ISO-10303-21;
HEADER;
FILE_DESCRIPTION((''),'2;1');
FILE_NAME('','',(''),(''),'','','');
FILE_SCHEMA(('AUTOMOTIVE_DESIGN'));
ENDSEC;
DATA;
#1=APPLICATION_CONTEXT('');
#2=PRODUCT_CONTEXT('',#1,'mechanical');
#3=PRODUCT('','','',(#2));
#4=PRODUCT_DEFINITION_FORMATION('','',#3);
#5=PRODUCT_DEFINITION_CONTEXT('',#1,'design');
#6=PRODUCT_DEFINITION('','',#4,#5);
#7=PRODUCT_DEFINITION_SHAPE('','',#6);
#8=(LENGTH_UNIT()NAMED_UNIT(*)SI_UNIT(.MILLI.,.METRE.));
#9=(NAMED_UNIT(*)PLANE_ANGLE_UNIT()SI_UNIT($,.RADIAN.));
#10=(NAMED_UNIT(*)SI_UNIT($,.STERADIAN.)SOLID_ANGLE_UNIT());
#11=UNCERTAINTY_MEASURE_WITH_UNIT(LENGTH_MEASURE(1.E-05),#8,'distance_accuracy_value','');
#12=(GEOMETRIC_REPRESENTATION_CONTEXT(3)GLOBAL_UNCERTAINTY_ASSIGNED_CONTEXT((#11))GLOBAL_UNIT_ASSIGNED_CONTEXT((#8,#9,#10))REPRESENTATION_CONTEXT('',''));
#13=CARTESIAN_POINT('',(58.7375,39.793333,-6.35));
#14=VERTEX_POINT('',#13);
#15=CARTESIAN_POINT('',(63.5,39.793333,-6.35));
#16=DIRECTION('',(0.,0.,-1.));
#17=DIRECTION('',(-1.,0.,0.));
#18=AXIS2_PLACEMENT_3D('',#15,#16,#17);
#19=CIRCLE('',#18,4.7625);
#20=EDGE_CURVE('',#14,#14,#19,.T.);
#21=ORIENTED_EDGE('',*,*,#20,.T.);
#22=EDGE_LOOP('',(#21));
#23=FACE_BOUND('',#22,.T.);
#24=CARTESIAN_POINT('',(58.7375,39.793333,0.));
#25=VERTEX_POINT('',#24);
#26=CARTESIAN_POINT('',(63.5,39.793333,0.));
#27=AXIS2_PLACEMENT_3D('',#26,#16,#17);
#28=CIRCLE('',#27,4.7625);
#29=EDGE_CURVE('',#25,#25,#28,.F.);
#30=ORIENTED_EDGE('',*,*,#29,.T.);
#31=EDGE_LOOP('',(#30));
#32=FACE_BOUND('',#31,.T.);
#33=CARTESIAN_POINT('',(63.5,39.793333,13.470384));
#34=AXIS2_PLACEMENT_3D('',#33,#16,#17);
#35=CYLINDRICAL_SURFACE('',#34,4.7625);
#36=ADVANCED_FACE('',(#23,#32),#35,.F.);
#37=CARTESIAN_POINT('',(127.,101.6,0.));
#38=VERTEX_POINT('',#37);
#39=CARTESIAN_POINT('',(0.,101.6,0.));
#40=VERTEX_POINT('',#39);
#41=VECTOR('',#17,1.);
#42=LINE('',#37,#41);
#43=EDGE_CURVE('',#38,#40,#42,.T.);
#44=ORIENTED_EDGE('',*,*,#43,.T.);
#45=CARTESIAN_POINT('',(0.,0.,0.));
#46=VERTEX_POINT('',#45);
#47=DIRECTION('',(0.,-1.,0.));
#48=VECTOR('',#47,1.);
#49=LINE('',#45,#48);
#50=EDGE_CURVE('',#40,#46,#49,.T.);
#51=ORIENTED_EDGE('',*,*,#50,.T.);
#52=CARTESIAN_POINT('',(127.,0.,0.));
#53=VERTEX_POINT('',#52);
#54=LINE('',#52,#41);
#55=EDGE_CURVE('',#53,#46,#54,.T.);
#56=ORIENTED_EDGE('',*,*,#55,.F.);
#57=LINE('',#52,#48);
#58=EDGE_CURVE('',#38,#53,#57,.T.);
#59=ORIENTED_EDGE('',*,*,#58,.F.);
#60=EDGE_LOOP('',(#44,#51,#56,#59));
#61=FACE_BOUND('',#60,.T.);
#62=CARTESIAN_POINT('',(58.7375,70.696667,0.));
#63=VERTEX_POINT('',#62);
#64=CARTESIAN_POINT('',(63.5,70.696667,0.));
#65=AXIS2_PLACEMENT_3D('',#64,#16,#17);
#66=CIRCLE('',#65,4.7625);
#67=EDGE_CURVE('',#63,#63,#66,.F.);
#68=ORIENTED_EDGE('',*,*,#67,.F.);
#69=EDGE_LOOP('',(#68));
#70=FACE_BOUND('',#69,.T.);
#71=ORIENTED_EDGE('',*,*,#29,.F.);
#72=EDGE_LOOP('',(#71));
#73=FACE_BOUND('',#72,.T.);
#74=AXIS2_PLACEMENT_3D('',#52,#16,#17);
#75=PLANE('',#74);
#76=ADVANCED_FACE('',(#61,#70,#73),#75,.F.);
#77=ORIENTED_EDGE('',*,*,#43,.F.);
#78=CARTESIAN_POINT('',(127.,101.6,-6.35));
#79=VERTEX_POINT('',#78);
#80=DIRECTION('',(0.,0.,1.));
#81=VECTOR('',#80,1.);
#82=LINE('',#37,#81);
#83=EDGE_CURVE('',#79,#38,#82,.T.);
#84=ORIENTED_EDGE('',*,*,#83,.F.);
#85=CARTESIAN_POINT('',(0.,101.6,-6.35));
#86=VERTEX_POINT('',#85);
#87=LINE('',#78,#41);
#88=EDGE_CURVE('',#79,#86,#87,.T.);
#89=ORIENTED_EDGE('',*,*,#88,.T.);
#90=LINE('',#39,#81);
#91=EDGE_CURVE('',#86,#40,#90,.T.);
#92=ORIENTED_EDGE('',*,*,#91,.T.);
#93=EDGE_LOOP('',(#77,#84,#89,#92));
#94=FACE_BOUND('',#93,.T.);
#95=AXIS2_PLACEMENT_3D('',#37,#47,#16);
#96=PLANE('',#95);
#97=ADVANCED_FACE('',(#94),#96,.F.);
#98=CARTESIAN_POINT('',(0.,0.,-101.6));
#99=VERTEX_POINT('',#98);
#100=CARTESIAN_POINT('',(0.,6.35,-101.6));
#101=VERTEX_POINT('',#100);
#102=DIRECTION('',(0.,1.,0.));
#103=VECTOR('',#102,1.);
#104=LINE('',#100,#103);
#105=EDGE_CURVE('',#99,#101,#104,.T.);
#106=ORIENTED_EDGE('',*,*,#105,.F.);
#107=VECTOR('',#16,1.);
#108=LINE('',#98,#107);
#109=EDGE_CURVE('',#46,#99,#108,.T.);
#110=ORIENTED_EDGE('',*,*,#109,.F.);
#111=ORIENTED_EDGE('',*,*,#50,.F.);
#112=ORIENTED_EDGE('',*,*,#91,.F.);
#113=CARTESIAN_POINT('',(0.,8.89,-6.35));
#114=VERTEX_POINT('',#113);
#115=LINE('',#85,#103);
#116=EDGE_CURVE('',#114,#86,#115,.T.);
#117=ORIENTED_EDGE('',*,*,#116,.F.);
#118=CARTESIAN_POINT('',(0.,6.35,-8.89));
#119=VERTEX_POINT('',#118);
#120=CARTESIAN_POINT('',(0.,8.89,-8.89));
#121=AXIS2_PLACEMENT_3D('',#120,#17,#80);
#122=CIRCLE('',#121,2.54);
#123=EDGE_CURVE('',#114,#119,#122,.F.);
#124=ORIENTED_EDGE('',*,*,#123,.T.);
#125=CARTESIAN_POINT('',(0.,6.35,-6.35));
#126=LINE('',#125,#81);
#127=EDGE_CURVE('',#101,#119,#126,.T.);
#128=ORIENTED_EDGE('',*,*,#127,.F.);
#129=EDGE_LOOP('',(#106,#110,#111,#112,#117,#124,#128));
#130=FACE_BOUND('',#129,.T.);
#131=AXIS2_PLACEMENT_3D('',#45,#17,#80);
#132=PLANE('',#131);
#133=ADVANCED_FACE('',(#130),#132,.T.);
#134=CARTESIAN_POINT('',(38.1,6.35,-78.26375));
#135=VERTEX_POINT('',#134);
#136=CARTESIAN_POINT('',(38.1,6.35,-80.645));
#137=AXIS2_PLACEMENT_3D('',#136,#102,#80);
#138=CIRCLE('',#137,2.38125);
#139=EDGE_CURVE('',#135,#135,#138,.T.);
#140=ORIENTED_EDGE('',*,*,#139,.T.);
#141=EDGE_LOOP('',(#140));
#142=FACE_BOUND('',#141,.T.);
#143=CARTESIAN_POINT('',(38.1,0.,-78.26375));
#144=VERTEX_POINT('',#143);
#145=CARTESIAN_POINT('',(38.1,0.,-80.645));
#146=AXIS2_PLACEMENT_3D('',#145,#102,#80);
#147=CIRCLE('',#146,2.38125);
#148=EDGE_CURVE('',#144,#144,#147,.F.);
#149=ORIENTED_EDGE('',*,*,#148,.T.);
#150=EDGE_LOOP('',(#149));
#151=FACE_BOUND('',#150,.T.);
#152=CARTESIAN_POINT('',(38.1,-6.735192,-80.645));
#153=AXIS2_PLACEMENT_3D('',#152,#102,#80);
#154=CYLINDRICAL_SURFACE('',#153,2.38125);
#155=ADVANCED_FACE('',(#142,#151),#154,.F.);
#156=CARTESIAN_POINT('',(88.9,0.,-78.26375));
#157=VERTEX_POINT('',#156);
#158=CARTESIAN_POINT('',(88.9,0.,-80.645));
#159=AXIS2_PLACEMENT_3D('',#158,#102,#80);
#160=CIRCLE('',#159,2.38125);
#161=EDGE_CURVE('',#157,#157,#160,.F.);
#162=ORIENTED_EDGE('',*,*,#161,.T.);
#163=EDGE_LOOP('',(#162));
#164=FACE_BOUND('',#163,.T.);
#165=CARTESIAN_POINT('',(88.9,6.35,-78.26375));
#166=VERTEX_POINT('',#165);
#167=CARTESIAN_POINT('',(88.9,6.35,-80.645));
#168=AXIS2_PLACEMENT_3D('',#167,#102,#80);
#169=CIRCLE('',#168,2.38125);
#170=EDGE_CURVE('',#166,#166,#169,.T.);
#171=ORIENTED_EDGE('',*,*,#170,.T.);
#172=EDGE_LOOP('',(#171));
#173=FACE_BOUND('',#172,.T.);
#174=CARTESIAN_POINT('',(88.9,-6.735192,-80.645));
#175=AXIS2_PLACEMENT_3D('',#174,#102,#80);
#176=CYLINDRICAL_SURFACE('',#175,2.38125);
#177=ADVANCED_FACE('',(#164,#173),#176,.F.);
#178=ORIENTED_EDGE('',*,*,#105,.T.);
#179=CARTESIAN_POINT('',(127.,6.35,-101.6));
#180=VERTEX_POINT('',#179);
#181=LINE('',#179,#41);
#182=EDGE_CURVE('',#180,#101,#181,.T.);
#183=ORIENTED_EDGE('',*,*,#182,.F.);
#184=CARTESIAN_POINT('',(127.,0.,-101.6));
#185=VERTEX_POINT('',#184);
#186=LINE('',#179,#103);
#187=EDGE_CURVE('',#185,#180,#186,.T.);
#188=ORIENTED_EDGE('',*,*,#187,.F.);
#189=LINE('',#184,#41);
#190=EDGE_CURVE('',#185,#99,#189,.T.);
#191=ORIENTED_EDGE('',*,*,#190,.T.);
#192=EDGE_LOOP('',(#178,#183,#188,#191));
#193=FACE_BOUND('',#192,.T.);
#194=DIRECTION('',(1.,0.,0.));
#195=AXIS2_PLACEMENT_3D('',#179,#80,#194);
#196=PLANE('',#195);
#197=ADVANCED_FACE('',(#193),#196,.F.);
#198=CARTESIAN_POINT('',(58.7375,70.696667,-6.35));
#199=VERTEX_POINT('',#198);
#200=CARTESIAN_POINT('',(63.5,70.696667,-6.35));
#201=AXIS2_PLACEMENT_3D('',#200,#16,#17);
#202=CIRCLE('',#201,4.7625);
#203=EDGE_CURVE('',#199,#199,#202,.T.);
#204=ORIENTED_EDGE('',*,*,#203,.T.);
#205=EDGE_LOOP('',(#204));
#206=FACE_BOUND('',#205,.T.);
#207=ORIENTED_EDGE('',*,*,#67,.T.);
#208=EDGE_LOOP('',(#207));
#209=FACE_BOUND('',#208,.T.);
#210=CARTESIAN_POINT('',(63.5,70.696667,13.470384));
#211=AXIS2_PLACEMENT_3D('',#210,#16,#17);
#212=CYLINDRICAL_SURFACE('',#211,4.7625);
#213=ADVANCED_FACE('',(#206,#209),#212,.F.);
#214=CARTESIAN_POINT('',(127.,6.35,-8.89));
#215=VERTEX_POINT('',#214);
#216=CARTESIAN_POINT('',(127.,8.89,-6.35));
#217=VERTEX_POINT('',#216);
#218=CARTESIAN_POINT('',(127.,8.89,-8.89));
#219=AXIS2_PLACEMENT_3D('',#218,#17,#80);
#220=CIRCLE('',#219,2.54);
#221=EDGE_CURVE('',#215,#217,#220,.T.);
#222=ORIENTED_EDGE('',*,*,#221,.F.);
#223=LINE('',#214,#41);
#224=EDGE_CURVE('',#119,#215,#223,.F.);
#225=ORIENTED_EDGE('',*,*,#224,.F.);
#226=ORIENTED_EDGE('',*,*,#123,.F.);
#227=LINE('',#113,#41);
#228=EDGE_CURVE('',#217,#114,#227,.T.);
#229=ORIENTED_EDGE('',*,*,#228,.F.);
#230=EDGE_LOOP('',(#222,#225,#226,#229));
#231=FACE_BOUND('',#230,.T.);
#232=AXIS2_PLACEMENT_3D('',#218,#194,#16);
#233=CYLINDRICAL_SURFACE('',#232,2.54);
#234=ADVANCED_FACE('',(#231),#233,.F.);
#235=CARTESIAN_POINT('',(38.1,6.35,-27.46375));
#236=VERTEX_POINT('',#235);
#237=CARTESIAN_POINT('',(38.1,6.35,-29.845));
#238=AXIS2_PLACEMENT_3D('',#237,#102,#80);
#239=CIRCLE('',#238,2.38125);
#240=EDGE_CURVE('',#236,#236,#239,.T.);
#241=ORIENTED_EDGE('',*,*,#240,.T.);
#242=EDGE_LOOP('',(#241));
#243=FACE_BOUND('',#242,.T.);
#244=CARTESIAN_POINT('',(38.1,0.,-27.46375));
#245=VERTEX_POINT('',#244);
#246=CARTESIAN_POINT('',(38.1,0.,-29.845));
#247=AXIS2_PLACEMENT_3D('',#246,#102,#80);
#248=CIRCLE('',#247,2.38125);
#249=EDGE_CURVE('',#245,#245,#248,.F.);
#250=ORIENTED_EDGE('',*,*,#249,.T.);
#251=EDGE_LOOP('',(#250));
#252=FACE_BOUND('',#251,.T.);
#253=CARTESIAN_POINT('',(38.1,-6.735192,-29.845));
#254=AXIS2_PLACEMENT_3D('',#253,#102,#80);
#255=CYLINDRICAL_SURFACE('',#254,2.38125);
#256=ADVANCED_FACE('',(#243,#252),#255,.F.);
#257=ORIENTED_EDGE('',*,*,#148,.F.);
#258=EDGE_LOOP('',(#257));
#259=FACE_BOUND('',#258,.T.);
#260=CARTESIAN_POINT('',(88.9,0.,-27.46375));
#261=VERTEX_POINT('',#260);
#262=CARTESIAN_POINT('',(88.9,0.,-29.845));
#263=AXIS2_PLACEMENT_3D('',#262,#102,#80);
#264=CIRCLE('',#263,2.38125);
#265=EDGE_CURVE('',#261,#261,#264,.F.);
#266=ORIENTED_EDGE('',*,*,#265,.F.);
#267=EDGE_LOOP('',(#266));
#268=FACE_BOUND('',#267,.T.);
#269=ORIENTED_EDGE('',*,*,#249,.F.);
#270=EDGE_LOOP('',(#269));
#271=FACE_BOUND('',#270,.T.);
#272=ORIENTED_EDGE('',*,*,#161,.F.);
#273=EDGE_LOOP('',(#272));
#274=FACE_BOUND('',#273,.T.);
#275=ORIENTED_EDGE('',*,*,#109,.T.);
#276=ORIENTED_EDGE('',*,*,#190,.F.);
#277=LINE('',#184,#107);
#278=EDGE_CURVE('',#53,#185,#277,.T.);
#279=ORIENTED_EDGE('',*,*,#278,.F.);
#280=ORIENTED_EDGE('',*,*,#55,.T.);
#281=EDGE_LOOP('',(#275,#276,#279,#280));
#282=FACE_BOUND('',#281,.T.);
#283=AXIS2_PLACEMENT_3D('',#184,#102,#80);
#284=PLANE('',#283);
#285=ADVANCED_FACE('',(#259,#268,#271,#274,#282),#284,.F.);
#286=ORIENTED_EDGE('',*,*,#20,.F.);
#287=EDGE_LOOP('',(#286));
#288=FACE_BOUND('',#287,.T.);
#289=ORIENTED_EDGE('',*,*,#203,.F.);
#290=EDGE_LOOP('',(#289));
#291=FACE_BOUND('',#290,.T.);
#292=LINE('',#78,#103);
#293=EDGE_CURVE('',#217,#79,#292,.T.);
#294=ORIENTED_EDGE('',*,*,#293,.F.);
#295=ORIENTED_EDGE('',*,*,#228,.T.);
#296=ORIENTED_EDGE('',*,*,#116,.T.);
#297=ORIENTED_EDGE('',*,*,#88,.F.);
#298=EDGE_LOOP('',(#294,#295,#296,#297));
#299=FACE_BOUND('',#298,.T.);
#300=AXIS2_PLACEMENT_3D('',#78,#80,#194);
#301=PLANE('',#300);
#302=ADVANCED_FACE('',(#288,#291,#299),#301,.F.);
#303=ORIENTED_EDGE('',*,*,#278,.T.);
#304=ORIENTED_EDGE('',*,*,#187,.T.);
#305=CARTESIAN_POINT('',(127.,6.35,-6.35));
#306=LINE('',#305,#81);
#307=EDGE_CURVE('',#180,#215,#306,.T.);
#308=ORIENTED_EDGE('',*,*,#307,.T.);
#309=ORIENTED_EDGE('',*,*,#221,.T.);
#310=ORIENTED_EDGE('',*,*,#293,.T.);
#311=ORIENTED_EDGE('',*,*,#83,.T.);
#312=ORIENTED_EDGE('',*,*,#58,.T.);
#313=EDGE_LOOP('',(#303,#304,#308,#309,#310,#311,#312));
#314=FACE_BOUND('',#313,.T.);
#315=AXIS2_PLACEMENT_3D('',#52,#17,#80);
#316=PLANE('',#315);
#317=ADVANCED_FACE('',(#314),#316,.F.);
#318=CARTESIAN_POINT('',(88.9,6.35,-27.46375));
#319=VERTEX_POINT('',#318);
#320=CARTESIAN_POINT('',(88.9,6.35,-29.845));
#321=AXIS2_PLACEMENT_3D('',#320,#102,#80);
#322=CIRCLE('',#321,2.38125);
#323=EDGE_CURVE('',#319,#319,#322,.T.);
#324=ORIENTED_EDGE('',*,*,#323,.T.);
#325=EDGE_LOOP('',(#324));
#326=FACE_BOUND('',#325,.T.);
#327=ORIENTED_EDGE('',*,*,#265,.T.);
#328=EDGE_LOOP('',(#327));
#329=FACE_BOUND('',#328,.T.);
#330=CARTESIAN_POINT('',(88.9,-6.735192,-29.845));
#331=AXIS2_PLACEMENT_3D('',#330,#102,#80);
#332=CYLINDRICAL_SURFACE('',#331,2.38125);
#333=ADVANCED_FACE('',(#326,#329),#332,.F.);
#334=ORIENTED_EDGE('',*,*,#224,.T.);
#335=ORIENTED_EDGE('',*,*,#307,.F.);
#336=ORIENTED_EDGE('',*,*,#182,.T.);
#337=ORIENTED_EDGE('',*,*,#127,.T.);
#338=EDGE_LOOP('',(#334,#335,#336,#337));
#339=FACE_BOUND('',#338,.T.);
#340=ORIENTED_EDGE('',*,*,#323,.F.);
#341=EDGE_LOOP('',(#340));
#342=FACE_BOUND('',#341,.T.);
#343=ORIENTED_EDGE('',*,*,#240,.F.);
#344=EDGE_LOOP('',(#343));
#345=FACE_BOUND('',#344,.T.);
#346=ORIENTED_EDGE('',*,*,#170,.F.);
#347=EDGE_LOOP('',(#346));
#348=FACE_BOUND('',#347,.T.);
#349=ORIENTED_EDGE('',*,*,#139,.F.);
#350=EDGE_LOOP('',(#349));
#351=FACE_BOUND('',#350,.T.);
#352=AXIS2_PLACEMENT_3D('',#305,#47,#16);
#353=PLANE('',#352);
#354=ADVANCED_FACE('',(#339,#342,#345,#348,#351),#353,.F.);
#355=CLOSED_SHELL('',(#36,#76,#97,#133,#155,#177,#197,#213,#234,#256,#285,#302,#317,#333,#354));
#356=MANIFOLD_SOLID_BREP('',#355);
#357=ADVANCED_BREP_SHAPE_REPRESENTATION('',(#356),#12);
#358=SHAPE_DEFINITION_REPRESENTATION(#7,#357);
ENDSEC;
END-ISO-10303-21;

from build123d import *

# Parameters (mm, degrees)
BOSS_EXTRUDE1_DEPTH = 127
FILLET1_R           = 2.54
SKETCH2_R           = 4.7625
CUT_EXTRUDE1_DEPTH  = 6.35
SKETCH3_R           = 2.38125
CUT_EXTRUDE2_DEPTH  = 6.35


with BuildPart() as part:
    # Sketch1 → Boss-Extrude1 (new body)
    with BuildSketch(Plane(origin=(0, 0, 0), x_dir=(0, 0, -1), z_dir=(1, 0, 0))):
        Polygon((0, 0), (0, 101.6), (6.35, 101.6), (6.35, 6.35), (101.6, 6.35), (101.6, 0), align=None)
    extrude(amount=BOSS_EXTRUDE1_DEPTH)

    # Fillet1
    fillet1_edges = [part.edges().sort_by_distance(p)[0] for p in [
        (63.5, 6.35, -6.35),
    ]]
    fillet(fillet1_edges, radius=FILLET1_R)

    # Sketch2 → Cut-Extrude1 (cut)
    with BuildSketch(Plane(origin=(0, 0, -6.35), x_dir=(-1, 0, 0), z_dir=(0, 0, -1))):
        with Locations((-63.5, 70.696666667)):
            Circle(SKETCH2_R)
        with Locations((-63.5, 39.793333249)):
            Circle(SKETCH2_R)
    extrude(amount=-CUT_EXTRUDE1_DEPTH, mode=Mode.SUBTRACT)

    # Sketch3 → Cut-Extrude2 (cut)
    with BuildSketch(Plane(origin=(0, 6.35, 0), x_dir=(1, 0, 0), z_dir=(0, 1, 0))):
        with Locations((38.1, 80.645)):
            Circle(SKETCH3_R)
        with Locations((88.9, 80.645)):
            Circle(SKETCH3_R)
        with Locations((38.1, 29.845)):
            Circle(SKETCH3_R)
        with Locations((88.9, 29.845)):
            Circle(SKETCH3_R)
    extrude(amount=-CUT_EXTRUDE2_DEPTH, mode=Mode.SUBTRACT)


solid = part.part
